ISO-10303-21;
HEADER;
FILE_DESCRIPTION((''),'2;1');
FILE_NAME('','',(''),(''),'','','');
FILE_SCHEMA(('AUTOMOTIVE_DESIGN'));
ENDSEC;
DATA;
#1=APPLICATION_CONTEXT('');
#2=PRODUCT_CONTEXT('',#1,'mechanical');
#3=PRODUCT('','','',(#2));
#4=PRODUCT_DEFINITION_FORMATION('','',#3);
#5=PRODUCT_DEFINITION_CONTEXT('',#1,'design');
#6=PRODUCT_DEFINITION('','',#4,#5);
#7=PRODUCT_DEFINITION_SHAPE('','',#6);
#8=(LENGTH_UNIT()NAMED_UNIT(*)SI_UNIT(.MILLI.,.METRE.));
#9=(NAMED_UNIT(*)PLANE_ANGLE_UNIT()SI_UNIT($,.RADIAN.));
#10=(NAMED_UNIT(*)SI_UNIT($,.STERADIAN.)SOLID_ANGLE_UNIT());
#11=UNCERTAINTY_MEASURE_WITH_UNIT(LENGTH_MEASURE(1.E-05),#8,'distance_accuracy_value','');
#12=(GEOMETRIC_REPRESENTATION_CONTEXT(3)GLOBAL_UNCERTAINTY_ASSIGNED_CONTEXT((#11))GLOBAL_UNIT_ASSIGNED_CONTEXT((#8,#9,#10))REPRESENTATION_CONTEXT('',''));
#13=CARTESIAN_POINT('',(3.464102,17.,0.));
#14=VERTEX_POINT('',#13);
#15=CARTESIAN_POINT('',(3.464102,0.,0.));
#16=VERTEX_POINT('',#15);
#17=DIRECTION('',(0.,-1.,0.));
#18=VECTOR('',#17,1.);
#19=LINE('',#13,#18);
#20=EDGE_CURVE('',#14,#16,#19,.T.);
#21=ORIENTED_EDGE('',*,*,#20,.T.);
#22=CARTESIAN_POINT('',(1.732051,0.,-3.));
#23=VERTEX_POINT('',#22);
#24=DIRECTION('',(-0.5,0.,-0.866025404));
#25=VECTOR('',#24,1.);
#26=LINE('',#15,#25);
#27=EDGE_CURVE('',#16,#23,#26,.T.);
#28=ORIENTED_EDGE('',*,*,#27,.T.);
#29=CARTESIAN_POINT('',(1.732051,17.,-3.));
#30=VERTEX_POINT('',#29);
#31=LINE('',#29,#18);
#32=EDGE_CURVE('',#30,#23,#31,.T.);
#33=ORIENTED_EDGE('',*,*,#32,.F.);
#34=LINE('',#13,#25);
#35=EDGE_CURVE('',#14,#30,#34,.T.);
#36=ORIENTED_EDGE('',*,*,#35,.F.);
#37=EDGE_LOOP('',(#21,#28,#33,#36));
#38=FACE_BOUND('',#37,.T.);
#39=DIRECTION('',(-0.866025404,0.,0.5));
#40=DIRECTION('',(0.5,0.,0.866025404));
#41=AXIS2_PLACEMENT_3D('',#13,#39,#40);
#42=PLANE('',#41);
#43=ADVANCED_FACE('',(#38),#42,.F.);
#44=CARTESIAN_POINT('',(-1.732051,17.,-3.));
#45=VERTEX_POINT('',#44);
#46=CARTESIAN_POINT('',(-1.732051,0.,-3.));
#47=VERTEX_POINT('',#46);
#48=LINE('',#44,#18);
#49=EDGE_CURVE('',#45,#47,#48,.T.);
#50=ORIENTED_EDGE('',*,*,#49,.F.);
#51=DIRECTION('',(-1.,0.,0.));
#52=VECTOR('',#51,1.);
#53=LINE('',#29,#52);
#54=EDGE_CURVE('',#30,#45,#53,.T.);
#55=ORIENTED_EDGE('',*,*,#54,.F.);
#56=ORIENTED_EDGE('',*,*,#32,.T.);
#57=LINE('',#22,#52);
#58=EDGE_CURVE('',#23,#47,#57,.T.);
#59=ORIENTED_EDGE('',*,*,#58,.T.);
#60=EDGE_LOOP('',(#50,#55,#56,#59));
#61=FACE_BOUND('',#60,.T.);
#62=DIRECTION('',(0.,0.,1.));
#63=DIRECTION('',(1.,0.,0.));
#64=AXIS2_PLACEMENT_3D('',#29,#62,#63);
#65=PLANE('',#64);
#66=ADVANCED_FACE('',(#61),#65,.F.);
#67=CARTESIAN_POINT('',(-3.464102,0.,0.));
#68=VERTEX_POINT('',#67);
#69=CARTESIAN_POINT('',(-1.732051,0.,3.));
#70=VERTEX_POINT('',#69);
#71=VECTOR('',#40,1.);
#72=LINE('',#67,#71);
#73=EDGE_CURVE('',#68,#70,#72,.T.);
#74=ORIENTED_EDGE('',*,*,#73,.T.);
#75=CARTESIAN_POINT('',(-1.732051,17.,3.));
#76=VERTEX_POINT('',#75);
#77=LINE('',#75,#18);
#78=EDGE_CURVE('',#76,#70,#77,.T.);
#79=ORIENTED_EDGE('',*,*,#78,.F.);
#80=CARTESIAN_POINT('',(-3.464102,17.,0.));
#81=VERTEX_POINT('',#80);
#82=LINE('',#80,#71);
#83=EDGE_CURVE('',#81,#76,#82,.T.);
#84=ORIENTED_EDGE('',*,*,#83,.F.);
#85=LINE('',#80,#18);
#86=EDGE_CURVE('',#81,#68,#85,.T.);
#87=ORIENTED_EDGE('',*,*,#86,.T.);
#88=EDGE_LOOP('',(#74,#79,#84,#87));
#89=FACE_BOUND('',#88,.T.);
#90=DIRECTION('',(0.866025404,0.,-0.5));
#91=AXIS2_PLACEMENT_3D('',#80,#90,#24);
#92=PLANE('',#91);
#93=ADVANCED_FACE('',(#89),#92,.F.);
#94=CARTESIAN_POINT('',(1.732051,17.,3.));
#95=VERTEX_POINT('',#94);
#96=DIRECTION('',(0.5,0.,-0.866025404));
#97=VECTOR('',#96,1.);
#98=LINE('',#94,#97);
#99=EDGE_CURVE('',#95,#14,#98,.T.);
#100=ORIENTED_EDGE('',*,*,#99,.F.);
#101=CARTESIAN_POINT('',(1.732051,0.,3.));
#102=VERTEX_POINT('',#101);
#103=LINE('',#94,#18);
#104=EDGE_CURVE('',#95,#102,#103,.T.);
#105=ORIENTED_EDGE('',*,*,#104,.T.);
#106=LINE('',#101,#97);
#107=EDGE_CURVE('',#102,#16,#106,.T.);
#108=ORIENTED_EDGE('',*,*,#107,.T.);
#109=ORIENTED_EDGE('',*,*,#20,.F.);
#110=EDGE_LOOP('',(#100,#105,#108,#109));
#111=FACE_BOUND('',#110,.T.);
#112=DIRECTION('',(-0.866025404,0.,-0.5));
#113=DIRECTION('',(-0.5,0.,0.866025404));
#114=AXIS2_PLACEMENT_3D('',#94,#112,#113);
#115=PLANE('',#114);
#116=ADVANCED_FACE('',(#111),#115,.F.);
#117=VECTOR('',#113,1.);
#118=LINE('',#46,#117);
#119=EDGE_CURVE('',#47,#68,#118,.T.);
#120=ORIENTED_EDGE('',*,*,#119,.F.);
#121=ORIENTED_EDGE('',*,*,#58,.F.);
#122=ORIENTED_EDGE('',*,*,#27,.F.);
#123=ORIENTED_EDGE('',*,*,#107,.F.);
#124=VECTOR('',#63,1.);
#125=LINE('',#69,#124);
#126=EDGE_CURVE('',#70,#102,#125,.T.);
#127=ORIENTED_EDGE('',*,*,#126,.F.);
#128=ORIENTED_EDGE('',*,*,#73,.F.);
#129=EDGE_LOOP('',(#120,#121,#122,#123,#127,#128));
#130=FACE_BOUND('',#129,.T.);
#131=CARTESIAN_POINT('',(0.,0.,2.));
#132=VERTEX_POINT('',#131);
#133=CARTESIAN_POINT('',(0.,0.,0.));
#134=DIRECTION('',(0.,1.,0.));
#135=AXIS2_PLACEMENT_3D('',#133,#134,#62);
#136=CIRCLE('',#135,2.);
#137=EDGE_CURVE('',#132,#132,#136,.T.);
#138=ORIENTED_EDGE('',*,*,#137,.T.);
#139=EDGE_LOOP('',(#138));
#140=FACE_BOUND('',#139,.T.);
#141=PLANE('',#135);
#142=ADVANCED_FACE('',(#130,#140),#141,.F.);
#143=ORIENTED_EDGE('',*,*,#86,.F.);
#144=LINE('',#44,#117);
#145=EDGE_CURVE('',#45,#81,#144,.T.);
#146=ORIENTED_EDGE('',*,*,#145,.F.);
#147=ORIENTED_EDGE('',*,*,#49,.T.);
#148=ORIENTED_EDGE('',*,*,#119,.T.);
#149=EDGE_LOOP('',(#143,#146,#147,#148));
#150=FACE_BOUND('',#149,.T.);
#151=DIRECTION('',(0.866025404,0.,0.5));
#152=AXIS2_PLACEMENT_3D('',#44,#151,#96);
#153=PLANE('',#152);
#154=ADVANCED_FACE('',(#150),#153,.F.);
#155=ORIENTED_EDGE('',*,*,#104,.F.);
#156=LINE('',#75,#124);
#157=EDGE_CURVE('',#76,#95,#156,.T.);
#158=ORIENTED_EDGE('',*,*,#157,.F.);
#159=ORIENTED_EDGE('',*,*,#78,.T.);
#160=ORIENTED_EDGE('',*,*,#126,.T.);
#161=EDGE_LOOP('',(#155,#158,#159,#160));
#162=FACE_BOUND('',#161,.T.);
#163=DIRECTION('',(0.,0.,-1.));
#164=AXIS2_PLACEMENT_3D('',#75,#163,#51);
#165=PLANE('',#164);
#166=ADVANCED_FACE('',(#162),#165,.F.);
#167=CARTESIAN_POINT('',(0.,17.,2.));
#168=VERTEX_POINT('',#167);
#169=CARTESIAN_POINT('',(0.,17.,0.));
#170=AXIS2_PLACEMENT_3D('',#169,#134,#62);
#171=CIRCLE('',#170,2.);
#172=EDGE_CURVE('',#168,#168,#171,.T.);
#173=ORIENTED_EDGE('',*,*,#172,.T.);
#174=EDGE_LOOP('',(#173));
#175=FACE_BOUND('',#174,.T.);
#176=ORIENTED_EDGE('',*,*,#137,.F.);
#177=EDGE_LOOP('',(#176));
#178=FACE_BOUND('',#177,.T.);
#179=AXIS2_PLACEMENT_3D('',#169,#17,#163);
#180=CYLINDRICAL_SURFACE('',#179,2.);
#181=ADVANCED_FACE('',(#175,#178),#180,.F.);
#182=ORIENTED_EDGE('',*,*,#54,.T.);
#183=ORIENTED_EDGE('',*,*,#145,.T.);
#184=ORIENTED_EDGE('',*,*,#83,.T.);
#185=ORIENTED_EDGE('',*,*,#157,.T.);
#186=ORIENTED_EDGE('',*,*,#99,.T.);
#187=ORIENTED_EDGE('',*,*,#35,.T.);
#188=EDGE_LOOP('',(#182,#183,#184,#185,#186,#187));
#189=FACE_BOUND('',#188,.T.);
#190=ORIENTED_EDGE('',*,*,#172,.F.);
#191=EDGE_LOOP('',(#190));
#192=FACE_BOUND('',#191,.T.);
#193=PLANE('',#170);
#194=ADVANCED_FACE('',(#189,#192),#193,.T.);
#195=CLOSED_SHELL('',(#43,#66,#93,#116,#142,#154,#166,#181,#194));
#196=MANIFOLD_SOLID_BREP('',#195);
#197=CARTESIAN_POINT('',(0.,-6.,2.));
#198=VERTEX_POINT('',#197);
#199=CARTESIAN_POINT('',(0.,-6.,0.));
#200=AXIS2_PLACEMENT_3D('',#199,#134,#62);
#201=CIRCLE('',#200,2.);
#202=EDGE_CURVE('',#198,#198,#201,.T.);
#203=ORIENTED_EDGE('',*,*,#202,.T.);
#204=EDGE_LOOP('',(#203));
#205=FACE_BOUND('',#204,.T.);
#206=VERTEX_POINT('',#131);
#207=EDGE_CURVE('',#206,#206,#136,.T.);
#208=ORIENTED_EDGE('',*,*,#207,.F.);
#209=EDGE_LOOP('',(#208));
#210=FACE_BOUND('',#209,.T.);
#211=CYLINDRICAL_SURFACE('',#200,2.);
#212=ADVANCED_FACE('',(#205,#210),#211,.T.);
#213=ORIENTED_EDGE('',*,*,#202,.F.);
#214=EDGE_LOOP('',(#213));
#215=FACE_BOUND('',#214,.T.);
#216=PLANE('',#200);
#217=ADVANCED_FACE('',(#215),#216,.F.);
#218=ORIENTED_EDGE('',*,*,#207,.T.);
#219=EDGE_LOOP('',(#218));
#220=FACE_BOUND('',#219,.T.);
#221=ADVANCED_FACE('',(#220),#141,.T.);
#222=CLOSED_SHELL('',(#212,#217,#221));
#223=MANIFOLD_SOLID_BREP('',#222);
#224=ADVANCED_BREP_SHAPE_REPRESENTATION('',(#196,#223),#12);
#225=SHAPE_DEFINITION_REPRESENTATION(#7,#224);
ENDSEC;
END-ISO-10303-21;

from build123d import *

# Parameters (mm, degrees)
SKETCH_2_R      = 2
EXTRUDE_1_DEPTH = 17
SKETCH_2_2_R    = 2
EXTRUDE_2_DEPTH = 6


with BuildPart() as part:
    # 草图2 → 凸台-拉伸1 (new body)
    with BuildSketch(Plane(origin=(0, 0, 0), x_dir=(1, 0, 0), z_dir=(0, 1, 0))):
        Polygon((3.464101615, 0), (1.732050808, 3), (-1.732050808, 3), (-3.464101615, 0), (-1.732050808, -3), (1.732050808, -3), align=None)
        Circle(SKETCH_2_R, mode=Mode.SUBTRACT)
    extrude(amount=EXTRUDE_1_DEPTH)


with BuildPart() as body_2:
    # 草图2<2> → 凸台-拉伸2 (new body)
    with BuildSketch(Plane(origin=(0, 0, 0), x_dir=(1, 0, 0), z_dir=(0, 1, 0))):
        Circle(SKETCH_2_2_R)
    extrude(amount=-EXTRUDE_2_DEPTH)


solid = Compound([part.part, body_2.part])
